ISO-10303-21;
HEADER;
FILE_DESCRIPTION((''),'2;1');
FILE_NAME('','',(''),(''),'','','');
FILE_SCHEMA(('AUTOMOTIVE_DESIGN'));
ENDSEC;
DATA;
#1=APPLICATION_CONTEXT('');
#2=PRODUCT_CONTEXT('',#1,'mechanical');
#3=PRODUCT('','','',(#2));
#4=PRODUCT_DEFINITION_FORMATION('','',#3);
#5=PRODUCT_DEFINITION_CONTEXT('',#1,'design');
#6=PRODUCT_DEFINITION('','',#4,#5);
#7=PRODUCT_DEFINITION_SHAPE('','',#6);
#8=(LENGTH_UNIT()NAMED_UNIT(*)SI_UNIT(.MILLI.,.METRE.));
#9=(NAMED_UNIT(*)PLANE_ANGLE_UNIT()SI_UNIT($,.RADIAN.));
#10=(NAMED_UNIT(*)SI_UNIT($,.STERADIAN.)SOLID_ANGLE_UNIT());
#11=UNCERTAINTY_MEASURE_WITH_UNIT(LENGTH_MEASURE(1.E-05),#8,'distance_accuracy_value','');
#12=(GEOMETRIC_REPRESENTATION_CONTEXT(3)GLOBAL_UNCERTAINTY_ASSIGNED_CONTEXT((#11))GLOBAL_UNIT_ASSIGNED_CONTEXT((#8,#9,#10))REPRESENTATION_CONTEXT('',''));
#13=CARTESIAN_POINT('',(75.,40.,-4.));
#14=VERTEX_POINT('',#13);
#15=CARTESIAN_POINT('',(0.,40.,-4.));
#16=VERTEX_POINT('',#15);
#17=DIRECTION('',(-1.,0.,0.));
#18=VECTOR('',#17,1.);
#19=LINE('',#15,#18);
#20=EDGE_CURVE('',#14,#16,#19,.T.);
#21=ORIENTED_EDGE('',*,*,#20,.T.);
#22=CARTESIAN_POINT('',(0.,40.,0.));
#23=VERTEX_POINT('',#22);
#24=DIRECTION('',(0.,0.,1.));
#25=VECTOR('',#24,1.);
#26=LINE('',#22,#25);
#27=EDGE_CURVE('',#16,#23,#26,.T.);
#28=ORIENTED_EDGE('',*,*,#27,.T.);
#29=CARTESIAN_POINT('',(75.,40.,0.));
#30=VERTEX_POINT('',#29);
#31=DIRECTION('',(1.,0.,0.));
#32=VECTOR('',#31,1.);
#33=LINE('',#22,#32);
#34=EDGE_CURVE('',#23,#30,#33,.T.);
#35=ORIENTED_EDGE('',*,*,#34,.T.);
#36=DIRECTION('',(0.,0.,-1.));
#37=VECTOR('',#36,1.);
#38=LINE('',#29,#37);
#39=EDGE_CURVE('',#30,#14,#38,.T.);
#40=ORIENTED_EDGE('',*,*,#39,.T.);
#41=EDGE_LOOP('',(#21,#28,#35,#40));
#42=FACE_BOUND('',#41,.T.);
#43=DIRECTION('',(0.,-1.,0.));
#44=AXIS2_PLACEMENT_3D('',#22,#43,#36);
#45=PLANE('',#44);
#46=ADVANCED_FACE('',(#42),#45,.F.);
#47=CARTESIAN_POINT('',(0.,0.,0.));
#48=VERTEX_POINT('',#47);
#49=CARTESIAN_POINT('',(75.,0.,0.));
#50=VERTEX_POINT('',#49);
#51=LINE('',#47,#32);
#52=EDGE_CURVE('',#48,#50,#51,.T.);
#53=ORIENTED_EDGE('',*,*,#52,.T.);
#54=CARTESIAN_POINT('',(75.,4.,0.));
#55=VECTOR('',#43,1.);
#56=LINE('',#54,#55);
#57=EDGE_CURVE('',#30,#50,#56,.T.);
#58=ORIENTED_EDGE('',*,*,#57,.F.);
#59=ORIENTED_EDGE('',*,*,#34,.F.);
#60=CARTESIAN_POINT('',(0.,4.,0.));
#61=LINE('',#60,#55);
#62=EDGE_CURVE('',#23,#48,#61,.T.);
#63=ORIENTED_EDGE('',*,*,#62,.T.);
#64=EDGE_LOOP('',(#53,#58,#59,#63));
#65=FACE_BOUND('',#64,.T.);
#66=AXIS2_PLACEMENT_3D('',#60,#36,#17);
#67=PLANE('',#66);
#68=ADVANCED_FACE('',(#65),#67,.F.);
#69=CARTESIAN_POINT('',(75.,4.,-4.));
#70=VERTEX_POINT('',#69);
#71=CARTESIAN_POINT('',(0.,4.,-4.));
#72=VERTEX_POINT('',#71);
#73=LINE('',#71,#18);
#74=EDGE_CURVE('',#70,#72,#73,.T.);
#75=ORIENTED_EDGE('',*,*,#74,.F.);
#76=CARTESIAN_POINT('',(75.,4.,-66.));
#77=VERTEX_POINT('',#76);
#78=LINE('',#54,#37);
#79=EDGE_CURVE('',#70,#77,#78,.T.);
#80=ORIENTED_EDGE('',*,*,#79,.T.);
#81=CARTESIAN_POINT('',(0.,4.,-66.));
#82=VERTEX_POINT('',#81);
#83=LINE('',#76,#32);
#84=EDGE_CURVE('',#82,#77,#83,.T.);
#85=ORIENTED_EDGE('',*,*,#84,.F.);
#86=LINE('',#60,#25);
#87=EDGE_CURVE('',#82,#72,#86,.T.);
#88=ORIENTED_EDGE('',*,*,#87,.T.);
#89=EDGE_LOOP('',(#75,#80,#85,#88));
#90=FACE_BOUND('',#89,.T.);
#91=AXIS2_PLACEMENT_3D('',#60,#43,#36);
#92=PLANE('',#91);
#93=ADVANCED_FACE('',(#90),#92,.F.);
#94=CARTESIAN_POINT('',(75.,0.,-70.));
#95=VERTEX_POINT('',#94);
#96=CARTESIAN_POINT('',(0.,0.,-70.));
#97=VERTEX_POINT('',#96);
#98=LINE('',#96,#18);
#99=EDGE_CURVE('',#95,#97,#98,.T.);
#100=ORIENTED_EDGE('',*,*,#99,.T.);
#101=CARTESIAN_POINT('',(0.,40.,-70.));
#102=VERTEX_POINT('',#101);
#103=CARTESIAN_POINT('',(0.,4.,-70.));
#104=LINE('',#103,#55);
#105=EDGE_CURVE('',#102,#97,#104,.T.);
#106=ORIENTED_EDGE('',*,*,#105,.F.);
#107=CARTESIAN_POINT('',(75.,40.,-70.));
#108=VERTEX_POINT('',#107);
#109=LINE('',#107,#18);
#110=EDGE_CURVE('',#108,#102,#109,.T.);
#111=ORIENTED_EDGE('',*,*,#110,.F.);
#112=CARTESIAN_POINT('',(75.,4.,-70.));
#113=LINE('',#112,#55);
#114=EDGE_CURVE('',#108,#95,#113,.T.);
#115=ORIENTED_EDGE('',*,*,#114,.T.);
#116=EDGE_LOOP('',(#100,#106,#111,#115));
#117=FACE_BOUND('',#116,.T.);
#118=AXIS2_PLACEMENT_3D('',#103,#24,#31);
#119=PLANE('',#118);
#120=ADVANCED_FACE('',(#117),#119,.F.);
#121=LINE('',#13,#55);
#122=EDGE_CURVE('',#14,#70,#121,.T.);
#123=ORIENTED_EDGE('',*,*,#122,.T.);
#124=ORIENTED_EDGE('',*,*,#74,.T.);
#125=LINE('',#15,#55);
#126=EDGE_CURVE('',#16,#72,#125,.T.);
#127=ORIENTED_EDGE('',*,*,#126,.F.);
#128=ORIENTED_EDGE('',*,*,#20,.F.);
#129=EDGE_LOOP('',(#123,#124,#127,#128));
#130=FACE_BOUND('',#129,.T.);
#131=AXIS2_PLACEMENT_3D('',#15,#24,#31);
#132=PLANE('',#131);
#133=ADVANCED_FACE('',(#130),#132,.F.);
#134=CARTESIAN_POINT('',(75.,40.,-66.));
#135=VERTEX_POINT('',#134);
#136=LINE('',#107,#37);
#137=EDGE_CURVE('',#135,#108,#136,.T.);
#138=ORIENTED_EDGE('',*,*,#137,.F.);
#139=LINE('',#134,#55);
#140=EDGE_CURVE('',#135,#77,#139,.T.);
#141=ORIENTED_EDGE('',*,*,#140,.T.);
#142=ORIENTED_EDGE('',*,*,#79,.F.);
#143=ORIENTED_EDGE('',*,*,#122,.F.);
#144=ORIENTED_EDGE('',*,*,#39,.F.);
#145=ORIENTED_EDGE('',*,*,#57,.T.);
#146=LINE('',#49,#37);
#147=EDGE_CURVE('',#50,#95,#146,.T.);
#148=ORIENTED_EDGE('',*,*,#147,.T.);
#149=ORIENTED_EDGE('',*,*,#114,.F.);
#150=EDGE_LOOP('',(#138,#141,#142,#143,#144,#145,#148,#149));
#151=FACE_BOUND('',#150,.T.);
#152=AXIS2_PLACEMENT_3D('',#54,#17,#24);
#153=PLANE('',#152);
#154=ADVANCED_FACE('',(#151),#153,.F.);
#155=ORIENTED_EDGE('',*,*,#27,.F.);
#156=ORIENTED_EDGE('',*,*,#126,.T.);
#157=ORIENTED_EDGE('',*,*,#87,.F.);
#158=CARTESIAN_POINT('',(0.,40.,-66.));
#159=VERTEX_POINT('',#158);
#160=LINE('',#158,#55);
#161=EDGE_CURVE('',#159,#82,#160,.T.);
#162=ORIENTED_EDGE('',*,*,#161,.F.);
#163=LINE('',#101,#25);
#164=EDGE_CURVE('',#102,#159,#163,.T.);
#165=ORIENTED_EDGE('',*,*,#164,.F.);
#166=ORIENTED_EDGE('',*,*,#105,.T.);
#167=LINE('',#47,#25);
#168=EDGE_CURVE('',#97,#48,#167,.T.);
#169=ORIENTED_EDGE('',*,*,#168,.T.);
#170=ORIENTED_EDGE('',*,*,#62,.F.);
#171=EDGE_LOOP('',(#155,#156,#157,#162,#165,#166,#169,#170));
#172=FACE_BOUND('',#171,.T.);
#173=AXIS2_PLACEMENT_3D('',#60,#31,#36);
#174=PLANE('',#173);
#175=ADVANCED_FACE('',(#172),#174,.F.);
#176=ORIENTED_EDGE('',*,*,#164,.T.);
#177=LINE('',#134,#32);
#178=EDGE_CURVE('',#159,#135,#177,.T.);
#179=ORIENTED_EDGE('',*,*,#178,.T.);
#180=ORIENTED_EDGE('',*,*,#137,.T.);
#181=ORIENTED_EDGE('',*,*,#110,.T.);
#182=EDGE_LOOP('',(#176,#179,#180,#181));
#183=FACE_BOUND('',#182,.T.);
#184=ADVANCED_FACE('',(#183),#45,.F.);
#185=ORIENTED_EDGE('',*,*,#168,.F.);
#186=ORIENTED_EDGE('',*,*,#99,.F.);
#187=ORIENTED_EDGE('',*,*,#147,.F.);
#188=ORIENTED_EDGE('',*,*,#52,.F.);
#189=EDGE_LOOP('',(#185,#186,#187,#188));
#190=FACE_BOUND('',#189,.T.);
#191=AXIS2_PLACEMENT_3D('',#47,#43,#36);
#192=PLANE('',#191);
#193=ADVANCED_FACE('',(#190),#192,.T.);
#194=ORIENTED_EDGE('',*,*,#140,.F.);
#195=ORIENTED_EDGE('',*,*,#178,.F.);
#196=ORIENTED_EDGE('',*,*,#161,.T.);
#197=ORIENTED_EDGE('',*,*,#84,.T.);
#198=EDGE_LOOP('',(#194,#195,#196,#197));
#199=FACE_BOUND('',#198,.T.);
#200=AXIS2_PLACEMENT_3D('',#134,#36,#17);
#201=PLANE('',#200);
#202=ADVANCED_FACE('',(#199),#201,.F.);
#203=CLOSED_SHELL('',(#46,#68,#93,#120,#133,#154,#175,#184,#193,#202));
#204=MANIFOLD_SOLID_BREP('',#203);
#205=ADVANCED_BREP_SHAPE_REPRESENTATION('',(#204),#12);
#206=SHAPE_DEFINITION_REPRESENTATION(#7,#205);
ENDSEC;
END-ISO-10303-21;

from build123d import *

# Parameters (mm, degrees)
SKETCH_1_W      = 75
SKETCH_1_H      = 70
EXTRUDE_1_DEPTH = 4
SKETCH_2_W      = 75
SKETCH_2_H      = 4
EXTRUDE_2_DEPTH = 36


with BuildPart() as part:
    # 스케치1 → 보스-돌출1 (new body)
    with BuildSketch(Plane(origin=(0, 0, 0), x_dir=(1, 0, 0), z_dir=(0, 1, 0))):
        with Locations((37.5, 35)):
            Rectangle(SKETCH_1_W, SKETCH_1_H)
    extrude(amount=EXTRUDE_1_DEPTH)

    # 스케치2 → 보스-돌출2 (add)
    with BuildSketch(Plane(origin=(0, 4, 0), x_dir=(1, 0, 0), z_dir=(0, 1, 0))):
        with Locations((37.5, 2)):
            Rectangle(SKETCH_2_W, SKETCH_2_H)
        with Locations((37.5, 68)):
            Rectangle(SKETCH_2_W, SKETCH_2_H)
    extrude(amount=EXTRUDE_2_DEPTH)


solid = part.part
